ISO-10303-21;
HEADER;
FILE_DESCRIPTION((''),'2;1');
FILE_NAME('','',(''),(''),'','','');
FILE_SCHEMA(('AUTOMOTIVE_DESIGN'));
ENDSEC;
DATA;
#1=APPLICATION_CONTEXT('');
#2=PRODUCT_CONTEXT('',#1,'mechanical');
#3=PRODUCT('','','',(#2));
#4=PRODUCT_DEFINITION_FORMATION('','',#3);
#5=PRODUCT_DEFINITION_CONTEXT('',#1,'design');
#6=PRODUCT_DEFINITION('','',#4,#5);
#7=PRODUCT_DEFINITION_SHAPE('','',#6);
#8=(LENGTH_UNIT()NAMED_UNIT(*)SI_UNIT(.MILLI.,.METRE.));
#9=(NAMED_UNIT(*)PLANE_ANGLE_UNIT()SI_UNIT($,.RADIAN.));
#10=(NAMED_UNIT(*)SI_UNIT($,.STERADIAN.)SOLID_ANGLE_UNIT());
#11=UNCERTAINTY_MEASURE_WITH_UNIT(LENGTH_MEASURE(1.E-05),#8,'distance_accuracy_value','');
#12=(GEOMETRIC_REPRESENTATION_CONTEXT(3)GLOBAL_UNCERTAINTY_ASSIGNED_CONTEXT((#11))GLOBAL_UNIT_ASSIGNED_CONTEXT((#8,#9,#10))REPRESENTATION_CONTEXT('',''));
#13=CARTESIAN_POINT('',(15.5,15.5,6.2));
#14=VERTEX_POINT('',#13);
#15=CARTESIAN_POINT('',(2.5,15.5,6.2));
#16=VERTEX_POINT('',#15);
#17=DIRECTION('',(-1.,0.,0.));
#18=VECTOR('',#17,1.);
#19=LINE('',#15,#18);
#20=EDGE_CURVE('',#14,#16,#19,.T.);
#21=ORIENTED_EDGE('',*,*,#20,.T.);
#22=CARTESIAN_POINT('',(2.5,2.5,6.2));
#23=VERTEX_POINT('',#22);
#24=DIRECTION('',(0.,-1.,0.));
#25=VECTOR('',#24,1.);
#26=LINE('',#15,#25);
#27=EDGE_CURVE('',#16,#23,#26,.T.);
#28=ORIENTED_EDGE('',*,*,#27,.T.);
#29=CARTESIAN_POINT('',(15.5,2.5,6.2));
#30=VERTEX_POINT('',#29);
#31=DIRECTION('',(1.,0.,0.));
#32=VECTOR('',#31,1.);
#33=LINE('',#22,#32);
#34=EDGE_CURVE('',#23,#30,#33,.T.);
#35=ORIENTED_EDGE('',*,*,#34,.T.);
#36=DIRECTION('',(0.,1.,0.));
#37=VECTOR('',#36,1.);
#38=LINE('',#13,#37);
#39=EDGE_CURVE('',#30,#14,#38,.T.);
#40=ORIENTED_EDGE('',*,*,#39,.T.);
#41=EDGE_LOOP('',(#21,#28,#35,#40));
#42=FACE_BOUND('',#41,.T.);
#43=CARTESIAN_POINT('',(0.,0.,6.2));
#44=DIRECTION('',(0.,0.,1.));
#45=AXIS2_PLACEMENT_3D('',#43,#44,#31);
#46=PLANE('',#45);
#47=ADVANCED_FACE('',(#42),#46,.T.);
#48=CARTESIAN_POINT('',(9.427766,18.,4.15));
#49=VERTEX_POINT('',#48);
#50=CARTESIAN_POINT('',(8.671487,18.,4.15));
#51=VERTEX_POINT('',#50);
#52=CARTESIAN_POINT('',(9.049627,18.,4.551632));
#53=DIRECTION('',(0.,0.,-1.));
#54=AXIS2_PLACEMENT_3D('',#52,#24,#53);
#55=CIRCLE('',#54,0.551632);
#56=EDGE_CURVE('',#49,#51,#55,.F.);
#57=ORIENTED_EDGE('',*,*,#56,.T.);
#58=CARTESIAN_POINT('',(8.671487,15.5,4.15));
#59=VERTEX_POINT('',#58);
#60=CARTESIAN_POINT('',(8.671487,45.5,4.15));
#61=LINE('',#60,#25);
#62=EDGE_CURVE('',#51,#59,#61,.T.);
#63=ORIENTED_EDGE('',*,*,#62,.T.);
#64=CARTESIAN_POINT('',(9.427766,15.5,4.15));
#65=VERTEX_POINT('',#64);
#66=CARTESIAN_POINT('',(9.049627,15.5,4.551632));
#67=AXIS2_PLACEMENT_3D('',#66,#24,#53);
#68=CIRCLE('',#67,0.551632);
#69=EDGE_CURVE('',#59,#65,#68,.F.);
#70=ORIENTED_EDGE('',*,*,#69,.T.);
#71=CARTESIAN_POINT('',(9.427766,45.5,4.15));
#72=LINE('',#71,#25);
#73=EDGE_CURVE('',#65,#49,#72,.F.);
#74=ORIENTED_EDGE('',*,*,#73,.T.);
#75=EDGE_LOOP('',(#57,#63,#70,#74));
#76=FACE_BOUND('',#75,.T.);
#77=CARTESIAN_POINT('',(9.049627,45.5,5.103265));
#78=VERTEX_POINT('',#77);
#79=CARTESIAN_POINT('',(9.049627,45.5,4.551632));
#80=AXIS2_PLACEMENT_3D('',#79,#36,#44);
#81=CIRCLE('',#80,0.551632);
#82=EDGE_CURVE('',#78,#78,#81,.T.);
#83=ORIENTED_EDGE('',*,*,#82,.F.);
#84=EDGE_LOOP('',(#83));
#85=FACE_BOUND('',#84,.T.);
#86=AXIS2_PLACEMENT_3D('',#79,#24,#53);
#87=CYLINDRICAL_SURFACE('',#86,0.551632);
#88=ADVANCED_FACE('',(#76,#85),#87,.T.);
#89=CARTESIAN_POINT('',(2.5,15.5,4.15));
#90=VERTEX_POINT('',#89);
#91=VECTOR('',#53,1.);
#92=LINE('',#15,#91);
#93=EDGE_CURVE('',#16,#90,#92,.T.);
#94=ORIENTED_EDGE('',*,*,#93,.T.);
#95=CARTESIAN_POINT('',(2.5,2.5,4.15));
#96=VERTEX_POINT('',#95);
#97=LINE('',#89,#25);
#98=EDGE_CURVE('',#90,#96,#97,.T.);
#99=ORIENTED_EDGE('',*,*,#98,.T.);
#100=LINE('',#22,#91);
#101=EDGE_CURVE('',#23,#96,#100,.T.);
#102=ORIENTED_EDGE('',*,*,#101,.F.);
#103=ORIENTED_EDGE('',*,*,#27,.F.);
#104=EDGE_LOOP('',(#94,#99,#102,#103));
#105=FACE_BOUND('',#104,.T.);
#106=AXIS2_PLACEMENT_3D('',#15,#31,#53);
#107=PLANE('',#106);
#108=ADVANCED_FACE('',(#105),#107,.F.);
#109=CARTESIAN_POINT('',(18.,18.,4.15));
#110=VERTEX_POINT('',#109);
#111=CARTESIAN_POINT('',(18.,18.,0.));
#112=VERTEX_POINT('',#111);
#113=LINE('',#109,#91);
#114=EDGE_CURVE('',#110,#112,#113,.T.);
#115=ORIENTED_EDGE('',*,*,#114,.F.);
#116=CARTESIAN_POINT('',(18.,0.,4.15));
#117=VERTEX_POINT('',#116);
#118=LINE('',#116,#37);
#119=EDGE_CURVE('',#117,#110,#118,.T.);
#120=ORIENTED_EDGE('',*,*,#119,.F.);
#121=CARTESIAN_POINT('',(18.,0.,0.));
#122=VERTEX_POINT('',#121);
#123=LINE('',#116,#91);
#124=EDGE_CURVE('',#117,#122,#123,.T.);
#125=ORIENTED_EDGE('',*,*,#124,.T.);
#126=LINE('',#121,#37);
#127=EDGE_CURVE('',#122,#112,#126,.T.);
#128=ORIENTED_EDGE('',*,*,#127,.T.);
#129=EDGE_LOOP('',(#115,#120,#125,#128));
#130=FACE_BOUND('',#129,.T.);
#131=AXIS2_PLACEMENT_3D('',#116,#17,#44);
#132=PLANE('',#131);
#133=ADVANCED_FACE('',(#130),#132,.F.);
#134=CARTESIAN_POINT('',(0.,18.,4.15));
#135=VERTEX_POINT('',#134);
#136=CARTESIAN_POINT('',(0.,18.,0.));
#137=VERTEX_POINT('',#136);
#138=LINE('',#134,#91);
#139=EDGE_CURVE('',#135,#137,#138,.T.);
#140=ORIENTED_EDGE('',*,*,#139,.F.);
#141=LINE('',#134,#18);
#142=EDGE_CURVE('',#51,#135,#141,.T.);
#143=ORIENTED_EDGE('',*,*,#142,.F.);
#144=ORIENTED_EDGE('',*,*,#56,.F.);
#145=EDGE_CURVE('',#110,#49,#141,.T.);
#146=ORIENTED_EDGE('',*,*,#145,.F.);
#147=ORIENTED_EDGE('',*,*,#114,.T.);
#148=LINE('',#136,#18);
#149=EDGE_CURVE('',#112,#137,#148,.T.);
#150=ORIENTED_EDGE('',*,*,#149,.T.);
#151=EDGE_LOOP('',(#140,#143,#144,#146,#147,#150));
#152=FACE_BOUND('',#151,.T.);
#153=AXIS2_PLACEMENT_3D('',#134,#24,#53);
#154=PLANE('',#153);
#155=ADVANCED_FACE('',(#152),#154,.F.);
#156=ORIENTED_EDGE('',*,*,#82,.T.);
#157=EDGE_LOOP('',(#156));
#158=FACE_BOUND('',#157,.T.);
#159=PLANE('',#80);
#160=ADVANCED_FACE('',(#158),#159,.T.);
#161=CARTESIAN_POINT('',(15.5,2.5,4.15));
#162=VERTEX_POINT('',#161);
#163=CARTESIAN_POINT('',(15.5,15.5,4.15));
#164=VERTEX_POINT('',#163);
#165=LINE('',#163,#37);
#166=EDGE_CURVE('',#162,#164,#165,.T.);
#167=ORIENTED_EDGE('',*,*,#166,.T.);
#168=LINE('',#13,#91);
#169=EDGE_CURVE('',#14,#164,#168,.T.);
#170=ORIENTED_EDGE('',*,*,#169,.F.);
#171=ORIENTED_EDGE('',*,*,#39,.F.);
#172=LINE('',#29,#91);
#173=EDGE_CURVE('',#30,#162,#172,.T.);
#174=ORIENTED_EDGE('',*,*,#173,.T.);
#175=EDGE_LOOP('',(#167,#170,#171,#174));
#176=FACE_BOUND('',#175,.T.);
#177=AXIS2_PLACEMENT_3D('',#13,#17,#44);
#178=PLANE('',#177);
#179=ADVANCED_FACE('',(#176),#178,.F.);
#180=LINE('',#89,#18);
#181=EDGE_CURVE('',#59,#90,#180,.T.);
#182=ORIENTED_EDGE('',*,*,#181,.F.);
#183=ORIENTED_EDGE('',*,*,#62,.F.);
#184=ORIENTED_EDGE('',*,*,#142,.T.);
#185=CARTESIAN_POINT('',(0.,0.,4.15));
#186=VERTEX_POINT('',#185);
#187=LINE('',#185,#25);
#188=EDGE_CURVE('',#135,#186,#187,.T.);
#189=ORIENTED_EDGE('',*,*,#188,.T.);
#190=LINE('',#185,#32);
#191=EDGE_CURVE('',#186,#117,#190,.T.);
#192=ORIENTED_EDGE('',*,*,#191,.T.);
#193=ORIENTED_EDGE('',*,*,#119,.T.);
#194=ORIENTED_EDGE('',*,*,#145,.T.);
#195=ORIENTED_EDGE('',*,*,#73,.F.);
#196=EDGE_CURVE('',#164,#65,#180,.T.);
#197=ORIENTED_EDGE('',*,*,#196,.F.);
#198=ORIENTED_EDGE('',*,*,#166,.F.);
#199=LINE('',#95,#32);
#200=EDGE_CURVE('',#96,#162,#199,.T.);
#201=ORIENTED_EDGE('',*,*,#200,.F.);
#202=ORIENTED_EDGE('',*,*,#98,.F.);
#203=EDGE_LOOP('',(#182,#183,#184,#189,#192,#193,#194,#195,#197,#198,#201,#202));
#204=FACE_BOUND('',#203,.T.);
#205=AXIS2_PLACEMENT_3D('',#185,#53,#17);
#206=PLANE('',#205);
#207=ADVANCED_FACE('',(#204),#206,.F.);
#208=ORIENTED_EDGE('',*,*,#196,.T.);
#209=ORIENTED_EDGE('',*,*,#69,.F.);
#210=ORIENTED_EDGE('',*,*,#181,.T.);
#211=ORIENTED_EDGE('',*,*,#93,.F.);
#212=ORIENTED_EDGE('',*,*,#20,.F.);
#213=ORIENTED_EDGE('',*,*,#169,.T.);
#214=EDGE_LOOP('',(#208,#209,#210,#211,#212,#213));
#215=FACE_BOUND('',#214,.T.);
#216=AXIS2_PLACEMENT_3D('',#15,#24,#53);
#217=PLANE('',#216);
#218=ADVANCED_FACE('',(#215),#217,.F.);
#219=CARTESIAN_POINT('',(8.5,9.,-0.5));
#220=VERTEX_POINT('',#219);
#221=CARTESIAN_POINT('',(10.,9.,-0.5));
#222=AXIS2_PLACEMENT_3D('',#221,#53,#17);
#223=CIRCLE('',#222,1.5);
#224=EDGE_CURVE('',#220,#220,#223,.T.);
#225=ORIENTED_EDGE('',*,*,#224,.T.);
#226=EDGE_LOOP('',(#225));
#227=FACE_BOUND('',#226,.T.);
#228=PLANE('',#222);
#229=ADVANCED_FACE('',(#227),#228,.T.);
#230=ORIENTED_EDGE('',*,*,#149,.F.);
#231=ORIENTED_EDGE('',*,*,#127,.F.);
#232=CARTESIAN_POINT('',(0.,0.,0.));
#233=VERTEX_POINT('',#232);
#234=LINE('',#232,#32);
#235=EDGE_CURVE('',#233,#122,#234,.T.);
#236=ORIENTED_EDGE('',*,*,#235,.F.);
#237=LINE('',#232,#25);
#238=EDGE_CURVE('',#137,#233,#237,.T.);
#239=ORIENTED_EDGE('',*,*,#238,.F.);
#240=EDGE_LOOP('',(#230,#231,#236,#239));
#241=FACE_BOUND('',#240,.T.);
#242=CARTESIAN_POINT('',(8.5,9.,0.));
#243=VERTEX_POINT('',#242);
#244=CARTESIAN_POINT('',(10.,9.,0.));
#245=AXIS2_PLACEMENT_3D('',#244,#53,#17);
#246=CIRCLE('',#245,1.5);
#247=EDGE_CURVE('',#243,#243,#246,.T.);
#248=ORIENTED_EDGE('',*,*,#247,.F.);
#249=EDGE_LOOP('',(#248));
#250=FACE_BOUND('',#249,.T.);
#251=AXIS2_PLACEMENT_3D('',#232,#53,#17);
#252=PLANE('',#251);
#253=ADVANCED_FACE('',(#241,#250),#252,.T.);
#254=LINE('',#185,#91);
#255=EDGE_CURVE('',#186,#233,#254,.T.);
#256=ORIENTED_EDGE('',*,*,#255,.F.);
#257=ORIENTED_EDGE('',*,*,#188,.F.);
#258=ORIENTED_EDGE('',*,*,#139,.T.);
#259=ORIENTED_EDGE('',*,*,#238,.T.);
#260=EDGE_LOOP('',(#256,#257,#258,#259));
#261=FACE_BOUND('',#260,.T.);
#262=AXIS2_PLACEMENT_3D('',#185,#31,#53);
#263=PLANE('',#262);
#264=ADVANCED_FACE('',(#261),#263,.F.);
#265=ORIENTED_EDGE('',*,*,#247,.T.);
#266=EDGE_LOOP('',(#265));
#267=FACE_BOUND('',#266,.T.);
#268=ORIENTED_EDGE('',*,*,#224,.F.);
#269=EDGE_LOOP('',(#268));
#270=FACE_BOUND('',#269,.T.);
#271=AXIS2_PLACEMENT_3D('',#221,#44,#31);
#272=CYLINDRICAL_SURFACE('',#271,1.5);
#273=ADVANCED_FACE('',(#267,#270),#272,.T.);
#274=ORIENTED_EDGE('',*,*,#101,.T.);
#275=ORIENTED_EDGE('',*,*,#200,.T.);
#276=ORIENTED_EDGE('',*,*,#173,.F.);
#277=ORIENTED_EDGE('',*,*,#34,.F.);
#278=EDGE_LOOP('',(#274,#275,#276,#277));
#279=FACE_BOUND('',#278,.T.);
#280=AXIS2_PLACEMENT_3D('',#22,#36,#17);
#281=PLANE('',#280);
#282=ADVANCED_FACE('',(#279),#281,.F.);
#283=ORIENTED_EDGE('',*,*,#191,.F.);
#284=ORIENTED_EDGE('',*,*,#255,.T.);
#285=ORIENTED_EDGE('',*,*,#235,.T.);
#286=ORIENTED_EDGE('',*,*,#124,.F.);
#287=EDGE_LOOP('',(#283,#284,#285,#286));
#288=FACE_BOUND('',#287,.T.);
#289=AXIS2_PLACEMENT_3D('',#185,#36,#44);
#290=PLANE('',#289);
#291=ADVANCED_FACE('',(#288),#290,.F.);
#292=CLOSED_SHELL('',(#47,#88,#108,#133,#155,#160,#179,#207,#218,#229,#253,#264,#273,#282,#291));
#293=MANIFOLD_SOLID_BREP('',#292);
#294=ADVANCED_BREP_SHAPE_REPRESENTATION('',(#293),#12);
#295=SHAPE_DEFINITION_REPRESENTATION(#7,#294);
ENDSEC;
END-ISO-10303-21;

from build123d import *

# Parameters (mm, degrees)
SKETCH1_W           = 18
SKETCH1_H           = 18
BOSS_EXTRUDE1_DEPTH = 4.15
SKETCH2_W           = 13
SKETCH2_H           = 13
BOSS_EXTRUDE2_DEPTH = 2.05
SKETCH3_R           = 1.5
BOSS_EXTRUDE3_DEPTH = 0.5
SKETCH4_R           = 0.551632399
BOSS_EXTRUDE4_DEPTH = 30


with BuildPart() as part:
    # Sketch1 → Boss-Extrude1 (new body)
    with BuildSketch(Plane.XY):
        with Locations((9, 9)):
            Rectangle(SKETCH1_W, SKETCH1_H)
    extrude(amount=BOSS_EXTRUDE1_DEPTH)

    # Sketch2 → Boss-Extrude2 (add)
    with BuildSketch(Plane.XY.offset(4.15)):
        with Locations((9, 9)):
            Rectangle(SKETCH2_W, SKETCH2_H)
    extrude(amount=BOSS_EXTRUDE2_DEPTH)

    # Sketch3 → Boss-Extrude3 (add)
    with BuildSketch(Plane(origin=(0, 0, 0), x_dir=(-1, 0, 0), z_dir=(0, 0, -1))):
        with Locations((-10, 9)):
            Circle(SKETCH3_R)
    extrude(amount=BOSS_EXTRUDE3_DEPTH)

    # Sketch4 → Boss-Extrude4 (add)
    with BuildSketch(Plane(origin=(0, 15.5, 0), x_dir=(1, 0, 0), z_dir=(0, 1, 0))):
        with Locations(Location((9.049626603, -4.551632399, 0), (0, 0, 133.274343649))):
            Circle(SKETCH4_R)
    extrude(amount=BOSS_EXTRUDE4_DEPTH)


solid = part.part
